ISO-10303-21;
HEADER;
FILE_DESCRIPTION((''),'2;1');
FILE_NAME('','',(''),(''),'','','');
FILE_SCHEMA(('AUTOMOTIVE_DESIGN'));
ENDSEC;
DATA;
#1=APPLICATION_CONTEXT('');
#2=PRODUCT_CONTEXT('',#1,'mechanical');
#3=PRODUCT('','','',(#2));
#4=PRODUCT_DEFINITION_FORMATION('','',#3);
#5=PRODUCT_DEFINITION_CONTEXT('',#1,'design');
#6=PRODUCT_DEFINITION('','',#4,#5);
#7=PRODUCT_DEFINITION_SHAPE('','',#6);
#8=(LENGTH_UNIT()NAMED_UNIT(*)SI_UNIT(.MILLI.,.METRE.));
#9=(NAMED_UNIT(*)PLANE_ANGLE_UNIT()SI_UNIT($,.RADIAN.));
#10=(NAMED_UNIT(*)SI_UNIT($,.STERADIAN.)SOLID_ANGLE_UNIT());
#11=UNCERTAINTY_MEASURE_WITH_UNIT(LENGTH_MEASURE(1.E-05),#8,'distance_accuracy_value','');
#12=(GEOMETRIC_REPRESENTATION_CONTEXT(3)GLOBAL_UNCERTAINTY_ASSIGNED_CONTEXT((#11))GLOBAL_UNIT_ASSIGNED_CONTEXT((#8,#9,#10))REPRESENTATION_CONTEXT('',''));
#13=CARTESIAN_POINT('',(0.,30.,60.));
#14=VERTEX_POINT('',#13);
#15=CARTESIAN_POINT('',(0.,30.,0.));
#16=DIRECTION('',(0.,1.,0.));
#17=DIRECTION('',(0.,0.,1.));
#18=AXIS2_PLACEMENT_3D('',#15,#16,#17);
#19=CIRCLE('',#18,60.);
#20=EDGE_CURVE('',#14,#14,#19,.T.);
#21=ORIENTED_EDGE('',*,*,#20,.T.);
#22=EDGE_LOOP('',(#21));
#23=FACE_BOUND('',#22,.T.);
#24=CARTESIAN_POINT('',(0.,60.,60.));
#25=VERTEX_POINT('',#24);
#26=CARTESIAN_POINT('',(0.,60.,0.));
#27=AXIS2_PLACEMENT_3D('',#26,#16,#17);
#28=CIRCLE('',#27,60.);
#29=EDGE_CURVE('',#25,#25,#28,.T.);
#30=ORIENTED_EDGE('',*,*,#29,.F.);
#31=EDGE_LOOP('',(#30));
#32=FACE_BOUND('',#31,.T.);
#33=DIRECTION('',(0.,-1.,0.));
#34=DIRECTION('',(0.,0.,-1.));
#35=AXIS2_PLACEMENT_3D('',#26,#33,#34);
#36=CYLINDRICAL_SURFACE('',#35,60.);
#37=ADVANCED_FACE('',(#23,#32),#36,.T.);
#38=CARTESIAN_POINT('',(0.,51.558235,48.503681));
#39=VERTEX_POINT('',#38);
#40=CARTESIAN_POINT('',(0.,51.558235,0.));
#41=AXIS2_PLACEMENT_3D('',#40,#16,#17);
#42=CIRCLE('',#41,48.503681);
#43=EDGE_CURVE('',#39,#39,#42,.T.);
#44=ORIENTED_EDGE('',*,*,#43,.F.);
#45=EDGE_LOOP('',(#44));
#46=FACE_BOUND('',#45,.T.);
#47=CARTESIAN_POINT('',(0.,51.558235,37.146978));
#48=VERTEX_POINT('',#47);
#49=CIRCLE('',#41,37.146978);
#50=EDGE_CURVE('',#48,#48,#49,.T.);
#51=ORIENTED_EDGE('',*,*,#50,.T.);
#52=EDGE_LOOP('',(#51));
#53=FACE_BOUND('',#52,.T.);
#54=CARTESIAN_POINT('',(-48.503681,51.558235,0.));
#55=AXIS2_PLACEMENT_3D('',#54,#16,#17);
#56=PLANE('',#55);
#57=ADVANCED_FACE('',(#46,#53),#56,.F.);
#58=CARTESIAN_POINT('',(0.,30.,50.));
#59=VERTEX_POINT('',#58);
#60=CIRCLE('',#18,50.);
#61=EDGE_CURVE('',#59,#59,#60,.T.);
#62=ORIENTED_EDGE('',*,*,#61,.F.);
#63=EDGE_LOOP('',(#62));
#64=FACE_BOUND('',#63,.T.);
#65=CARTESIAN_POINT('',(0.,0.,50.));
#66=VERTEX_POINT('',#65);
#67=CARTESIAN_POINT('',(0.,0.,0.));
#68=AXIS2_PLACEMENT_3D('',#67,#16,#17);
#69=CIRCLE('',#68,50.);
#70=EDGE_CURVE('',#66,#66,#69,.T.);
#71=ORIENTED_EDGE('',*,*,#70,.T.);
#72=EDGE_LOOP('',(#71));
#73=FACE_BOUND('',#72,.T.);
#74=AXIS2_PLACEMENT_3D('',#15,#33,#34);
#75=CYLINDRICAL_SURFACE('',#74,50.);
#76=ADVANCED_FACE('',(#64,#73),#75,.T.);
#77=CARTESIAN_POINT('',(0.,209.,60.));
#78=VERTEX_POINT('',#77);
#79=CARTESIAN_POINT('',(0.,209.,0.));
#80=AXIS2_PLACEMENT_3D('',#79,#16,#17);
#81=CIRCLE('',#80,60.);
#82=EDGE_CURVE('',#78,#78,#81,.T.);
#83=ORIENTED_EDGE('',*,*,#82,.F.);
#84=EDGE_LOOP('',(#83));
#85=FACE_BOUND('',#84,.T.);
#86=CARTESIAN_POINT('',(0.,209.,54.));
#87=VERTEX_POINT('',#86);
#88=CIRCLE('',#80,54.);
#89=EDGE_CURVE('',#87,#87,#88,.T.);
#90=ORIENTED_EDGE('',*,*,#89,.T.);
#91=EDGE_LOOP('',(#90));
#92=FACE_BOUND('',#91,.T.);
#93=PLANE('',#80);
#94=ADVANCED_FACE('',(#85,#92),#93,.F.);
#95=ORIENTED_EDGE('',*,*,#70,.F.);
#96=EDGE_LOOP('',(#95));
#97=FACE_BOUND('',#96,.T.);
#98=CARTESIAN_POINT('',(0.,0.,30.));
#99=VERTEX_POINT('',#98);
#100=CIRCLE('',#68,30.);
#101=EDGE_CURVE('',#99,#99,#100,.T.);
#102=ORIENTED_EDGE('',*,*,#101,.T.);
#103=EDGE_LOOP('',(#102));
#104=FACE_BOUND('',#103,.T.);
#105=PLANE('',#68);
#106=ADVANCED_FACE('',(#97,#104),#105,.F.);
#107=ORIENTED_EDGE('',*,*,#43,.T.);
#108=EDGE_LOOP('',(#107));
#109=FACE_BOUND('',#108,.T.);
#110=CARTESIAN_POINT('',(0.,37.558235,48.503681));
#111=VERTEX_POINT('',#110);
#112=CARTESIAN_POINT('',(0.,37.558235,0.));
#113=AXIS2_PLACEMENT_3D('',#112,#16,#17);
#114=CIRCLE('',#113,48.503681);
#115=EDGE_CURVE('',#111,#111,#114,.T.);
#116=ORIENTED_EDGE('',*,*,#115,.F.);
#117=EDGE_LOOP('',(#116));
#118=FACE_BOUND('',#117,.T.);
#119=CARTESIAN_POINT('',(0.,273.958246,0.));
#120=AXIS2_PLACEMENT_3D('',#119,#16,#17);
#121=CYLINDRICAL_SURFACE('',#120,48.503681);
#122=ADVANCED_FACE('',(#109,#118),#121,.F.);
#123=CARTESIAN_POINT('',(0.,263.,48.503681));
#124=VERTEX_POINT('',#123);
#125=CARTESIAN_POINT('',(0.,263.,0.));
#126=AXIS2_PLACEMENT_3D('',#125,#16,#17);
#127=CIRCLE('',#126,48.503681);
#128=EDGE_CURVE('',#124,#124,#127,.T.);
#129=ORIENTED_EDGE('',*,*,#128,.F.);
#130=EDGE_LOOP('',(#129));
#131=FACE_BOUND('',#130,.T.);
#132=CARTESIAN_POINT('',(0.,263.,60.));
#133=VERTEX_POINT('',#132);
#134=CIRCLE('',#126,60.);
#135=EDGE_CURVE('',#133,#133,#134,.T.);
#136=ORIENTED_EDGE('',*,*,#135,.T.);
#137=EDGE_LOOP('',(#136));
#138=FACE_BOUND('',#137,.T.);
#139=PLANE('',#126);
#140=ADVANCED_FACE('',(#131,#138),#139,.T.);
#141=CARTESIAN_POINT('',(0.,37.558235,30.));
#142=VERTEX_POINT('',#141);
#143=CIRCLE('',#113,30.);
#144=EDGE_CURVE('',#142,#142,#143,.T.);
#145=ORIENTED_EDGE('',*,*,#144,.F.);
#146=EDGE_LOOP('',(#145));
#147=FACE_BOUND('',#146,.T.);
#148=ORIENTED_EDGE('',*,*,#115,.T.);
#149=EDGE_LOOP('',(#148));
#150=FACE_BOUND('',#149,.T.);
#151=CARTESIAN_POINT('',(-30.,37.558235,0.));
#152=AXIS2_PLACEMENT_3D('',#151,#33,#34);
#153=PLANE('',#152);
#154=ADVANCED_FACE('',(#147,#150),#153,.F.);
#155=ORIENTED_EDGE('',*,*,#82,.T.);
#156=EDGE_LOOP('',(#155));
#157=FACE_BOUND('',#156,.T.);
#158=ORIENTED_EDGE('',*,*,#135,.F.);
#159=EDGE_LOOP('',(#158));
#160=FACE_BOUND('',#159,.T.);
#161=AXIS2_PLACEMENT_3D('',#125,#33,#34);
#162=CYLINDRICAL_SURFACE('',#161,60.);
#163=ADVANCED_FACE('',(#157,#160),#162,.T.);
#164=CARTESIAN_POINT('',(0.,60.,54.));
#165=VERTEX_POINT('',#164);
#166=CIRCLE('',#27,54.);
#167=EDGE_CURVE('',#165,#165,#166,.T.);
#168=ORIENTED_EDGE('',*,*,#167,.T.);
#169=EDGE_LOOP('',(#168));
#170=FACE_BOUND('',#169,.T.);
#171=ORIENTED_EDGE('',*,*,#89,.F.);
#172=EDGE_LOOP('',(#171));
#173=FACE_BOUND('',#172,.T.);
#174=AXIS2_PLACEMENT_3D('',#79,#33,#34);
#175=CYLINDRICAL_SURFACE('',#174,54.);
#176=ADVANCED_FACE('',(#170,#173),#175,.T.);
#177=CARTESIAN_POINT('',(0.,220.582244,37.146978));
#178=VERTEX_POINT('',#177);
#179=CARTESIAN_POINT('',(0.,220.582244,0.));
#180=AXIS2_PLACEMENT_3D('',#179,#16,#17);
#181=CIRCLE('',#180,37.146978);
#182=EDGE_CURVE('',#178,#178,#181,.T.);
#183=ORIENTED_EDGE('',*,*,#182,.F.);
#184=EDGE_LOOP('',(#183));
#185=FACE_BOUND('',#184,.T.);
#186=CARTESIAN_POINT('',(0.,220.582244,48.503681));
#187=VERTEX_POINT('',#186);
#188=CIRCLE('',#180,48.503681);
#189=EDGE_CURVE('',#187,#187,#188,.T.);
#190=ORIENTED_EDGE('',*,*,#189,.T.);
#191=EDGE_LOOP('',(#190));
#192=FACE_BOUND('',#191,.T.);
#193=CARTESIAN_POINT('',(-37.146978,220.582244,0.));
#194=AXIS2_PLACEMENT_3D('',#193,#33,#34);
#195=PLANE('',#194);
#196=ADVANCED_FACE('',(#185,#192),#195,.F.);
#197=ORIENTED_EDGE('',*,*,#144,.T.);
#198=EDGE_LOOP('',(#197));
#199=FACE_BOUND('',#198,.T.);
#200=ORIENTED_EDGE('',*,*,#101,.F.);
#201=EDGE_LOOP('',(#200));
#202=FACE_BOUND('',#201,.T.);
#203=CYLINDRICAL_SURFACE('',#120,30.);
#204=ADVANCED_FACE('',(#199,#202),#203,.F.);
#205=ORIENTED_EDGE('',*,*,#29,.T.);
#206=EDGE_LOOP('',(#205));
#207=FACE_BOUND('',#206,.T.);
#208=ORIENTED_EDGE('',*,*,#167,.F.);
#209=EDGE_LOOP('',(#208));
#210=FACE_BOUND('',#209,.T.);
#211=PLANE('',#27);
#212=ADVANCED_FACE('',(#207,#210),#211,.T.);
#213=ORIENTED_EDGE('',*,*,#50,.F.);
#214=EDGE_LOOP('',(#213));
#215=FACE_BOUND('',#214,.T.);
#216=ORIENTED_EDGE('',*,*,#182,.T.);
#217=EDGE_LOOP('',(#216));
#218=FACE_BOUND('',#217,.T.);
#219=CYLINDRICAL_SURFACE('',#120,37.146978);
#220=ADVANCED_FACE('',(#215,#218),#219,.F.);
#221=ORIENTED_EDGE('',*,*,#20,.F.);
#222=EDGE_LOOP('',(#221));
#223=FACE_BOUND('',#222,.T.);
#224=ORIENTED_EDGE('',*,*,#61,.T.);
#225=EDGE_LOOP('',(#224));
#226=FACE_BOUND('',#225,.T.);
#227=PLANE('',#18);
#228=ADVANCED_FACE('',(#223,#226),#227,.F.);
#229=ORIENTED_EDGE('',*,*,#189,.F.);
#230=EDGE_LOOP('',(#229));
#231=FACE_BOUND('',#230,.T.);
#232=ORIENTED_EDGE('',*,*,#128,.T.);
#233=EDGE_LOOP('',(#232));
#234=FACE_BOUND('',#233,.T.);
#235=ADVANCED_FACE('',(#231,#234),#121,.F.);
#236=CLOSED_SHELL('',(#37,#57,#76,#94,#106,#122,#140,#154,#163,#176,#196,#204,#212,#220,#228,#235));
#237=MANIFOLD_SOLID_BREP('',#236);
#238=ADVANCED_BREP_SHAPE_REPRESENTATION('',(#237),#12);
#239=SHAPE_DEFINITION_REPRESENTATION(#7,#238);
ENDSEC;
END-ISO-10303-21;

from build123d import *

# Parameters (mm, degrees)
SKETCH1_R           = 50
BOSS_EXTRUDE2_DEPTH = 30
SKETCH3_R           = 60
BOSS_EXTRUDE3_DEPTH = 30
SKETCH4_R           = 54
BOSS_EXTRUDE4_DEPTH = 149
SKETCH5_R           = 60
BOSS_EXTRUDE5_DEPTH = 54


with BuildPart() as part:
    # Sketch1 → Boss-Extrude2 (new body)
    with BuildSketch(Plane(origin=(0, 0, 0), x_dir=(1, 0, 0), z_dir=(0, 1, 0))):
        Circle(SKETCH1_R)
    extrude(amount=BOSS_EXTRUDE2_DEPTH)

    # Sketch3 → Boss-Extrude3 (add)
    with BuildSketch(Plane(origin=(0, 30, 0), x_dir=(1, 0, 0), z_dir=(0, 1, 0))):
        Circle(SKETCH3_R)
    extrude(amount=BOSS_EXTRUDE3_DEPTH)

    # Sketch4 → Boss-Extrude4 (add)
    with BuildSketch(Plane(origin=(0, 60, 0), x_dir=(1, 0, 0), z_dir=(0, 1, 0))):
        Circle(SKETCH4_R)
    extrude(amount=BOSS_EXTRUDE4_DEPTH)

    # Sketch5 → Boss-Extrude5 (add)
    with BuildSketch(Plane(origin=(0, 209, 0), x_dir=(1, 0, 0), z_dir=(0, 1, 0))):
        Circle(SKETCH5_R)
    extrude(amount=BOSS_EXTRUDE5_DEPTH)

    # Sketch7 → Cut-Revolve3 (revolve, cut)
    with BuildSketch(Plane.XY):
        Polygon((0, 273.958246316), (0, -7.633446841), (-30, -7.633446841), (-30, 37.558235381), (-48.50368091, 37.558235381), (-48.50368091, 51.558235381), (-37.146978401, 51.558235381), (-37.146978401, 220.582243692), (-48.50368091, 220.582243692), (-48.50368091, 273.958246316), align=None)
    revolve(axis=Axis((0, 273.958246316, 0), (0, -1, 0)), mode=Mode.SUBTRACT)


solid = part.part
